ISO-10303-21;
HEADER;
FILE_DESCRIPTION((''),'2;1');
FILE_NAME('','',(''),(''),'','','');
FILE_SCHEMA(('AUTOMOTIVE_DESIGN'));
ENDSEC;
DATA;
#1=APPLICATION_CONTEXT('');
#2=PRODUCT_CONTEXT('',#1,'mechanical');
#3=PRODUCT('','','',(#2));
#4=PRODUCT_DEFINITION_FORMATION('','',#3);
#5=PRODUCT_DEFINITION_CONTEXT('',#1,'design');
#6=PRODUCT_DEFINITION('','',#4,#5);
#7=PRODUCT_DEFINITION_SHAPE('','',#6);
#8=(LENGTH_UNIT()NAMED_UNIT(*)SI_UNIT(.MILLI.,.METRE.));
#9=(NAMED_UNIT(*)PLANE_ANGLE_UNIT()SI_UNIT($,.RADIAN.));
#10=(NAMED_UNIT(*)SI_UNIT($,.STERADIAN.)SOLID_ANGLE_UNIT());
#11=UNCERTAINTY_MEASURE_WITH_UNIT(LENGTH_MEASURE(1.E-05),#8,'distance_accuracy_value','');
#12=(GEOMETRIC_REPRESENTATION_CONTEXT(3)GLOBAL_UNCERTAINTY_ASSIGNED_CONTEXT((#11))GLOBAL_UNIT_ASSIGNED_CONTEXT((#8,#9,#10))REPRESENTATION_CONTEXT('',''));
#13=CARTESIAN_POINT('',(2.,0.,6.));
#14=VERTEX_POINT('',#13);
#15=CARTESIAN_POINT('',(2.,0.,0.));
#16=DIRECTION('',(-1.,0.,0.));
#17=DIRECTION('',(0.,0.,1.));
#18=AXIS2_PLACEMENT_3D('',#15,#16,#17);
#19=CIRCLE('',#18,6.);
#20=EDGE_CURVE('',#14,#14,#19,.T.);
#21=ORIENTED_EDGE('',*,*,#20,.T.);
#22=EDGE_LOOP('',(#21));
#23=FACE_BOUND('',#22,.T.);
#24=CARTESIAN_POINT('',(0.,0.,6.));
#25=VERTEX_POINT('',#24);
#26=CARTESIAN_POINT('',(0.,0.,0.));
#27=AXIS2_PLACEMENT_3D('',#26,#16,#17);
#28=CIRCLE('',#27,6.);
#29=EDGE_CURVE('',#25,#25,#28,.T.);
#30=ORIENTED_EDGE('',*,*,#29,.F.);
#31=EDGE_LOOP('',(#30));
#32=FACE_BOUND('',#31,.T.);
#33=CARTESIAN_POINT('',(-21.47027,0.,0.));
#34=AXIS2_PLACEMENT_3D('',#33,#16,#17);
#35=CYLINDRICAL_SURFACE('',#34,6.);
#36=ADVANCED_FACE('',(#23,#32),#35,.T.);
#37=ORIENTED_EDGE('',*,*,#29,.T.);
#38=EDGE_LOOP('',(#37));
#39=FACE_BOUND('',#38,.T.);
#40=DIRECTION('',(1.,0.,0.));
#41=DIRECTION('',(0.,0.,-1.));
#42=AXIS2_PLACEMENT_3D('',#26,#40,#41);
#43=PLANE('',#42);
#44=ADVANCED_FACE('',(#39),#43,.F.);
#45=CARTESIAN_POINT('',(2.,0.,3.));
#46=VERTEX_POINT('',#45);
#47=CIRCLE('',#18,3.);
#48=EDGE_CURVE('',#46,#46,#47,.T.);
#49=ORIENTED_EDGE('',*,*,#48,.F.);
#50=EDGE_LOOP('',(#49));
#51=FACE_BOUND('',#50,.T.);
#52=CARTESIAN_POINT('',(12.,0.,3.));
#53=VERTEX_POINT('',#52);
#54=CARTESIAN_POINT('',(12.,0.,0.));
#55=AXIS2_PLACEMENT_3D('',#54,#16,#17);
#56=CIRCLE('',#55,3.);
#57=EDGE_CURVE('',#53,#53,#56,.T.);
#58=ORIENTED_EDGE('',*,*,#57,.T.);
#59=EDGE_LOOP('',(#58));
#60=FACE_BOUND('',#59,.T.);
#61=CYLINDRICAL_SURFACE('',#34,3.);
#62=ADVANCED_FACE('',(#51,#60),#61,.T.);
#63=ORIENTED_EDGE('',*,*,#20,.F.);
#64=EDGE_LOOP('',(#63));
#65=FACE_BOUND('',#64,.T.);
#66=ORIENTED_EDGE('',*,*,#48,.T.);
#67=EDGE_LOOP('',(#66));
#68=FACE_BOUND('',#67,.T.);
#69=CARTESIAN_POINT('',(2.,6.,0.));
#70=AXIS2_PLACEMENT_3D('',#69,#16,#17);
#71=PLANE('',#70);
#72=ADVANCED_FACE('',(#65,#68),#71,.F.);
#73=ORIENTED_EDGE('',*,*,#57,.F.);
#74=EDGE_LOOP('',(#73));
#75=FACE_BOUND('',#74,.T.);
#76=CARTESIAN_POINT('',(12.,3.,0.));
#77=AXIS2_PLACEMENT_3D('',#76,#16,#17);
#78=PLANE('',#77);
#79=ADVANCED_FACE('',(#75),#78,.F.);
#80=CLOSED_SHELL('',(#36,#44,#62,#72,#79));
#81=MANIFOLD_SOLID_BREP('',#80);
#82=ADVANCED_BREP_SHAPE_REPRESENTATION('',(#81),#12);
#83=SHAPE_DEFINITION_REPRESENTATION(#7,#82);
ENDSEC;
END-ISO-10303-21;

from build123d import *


with BuildPart() as part:
    # Çizim1 → Döndür1 (revolve)
    with BuildSketch(Plane.XY):
        Polygon((0, 0), (0, 6), (2, 6), (2, 3), (12, 3), (12, 0), align=None)
    revolve(axis=Axis((-21.47027027, 0, 0), (1, 0, 0)))


solid = part.part
